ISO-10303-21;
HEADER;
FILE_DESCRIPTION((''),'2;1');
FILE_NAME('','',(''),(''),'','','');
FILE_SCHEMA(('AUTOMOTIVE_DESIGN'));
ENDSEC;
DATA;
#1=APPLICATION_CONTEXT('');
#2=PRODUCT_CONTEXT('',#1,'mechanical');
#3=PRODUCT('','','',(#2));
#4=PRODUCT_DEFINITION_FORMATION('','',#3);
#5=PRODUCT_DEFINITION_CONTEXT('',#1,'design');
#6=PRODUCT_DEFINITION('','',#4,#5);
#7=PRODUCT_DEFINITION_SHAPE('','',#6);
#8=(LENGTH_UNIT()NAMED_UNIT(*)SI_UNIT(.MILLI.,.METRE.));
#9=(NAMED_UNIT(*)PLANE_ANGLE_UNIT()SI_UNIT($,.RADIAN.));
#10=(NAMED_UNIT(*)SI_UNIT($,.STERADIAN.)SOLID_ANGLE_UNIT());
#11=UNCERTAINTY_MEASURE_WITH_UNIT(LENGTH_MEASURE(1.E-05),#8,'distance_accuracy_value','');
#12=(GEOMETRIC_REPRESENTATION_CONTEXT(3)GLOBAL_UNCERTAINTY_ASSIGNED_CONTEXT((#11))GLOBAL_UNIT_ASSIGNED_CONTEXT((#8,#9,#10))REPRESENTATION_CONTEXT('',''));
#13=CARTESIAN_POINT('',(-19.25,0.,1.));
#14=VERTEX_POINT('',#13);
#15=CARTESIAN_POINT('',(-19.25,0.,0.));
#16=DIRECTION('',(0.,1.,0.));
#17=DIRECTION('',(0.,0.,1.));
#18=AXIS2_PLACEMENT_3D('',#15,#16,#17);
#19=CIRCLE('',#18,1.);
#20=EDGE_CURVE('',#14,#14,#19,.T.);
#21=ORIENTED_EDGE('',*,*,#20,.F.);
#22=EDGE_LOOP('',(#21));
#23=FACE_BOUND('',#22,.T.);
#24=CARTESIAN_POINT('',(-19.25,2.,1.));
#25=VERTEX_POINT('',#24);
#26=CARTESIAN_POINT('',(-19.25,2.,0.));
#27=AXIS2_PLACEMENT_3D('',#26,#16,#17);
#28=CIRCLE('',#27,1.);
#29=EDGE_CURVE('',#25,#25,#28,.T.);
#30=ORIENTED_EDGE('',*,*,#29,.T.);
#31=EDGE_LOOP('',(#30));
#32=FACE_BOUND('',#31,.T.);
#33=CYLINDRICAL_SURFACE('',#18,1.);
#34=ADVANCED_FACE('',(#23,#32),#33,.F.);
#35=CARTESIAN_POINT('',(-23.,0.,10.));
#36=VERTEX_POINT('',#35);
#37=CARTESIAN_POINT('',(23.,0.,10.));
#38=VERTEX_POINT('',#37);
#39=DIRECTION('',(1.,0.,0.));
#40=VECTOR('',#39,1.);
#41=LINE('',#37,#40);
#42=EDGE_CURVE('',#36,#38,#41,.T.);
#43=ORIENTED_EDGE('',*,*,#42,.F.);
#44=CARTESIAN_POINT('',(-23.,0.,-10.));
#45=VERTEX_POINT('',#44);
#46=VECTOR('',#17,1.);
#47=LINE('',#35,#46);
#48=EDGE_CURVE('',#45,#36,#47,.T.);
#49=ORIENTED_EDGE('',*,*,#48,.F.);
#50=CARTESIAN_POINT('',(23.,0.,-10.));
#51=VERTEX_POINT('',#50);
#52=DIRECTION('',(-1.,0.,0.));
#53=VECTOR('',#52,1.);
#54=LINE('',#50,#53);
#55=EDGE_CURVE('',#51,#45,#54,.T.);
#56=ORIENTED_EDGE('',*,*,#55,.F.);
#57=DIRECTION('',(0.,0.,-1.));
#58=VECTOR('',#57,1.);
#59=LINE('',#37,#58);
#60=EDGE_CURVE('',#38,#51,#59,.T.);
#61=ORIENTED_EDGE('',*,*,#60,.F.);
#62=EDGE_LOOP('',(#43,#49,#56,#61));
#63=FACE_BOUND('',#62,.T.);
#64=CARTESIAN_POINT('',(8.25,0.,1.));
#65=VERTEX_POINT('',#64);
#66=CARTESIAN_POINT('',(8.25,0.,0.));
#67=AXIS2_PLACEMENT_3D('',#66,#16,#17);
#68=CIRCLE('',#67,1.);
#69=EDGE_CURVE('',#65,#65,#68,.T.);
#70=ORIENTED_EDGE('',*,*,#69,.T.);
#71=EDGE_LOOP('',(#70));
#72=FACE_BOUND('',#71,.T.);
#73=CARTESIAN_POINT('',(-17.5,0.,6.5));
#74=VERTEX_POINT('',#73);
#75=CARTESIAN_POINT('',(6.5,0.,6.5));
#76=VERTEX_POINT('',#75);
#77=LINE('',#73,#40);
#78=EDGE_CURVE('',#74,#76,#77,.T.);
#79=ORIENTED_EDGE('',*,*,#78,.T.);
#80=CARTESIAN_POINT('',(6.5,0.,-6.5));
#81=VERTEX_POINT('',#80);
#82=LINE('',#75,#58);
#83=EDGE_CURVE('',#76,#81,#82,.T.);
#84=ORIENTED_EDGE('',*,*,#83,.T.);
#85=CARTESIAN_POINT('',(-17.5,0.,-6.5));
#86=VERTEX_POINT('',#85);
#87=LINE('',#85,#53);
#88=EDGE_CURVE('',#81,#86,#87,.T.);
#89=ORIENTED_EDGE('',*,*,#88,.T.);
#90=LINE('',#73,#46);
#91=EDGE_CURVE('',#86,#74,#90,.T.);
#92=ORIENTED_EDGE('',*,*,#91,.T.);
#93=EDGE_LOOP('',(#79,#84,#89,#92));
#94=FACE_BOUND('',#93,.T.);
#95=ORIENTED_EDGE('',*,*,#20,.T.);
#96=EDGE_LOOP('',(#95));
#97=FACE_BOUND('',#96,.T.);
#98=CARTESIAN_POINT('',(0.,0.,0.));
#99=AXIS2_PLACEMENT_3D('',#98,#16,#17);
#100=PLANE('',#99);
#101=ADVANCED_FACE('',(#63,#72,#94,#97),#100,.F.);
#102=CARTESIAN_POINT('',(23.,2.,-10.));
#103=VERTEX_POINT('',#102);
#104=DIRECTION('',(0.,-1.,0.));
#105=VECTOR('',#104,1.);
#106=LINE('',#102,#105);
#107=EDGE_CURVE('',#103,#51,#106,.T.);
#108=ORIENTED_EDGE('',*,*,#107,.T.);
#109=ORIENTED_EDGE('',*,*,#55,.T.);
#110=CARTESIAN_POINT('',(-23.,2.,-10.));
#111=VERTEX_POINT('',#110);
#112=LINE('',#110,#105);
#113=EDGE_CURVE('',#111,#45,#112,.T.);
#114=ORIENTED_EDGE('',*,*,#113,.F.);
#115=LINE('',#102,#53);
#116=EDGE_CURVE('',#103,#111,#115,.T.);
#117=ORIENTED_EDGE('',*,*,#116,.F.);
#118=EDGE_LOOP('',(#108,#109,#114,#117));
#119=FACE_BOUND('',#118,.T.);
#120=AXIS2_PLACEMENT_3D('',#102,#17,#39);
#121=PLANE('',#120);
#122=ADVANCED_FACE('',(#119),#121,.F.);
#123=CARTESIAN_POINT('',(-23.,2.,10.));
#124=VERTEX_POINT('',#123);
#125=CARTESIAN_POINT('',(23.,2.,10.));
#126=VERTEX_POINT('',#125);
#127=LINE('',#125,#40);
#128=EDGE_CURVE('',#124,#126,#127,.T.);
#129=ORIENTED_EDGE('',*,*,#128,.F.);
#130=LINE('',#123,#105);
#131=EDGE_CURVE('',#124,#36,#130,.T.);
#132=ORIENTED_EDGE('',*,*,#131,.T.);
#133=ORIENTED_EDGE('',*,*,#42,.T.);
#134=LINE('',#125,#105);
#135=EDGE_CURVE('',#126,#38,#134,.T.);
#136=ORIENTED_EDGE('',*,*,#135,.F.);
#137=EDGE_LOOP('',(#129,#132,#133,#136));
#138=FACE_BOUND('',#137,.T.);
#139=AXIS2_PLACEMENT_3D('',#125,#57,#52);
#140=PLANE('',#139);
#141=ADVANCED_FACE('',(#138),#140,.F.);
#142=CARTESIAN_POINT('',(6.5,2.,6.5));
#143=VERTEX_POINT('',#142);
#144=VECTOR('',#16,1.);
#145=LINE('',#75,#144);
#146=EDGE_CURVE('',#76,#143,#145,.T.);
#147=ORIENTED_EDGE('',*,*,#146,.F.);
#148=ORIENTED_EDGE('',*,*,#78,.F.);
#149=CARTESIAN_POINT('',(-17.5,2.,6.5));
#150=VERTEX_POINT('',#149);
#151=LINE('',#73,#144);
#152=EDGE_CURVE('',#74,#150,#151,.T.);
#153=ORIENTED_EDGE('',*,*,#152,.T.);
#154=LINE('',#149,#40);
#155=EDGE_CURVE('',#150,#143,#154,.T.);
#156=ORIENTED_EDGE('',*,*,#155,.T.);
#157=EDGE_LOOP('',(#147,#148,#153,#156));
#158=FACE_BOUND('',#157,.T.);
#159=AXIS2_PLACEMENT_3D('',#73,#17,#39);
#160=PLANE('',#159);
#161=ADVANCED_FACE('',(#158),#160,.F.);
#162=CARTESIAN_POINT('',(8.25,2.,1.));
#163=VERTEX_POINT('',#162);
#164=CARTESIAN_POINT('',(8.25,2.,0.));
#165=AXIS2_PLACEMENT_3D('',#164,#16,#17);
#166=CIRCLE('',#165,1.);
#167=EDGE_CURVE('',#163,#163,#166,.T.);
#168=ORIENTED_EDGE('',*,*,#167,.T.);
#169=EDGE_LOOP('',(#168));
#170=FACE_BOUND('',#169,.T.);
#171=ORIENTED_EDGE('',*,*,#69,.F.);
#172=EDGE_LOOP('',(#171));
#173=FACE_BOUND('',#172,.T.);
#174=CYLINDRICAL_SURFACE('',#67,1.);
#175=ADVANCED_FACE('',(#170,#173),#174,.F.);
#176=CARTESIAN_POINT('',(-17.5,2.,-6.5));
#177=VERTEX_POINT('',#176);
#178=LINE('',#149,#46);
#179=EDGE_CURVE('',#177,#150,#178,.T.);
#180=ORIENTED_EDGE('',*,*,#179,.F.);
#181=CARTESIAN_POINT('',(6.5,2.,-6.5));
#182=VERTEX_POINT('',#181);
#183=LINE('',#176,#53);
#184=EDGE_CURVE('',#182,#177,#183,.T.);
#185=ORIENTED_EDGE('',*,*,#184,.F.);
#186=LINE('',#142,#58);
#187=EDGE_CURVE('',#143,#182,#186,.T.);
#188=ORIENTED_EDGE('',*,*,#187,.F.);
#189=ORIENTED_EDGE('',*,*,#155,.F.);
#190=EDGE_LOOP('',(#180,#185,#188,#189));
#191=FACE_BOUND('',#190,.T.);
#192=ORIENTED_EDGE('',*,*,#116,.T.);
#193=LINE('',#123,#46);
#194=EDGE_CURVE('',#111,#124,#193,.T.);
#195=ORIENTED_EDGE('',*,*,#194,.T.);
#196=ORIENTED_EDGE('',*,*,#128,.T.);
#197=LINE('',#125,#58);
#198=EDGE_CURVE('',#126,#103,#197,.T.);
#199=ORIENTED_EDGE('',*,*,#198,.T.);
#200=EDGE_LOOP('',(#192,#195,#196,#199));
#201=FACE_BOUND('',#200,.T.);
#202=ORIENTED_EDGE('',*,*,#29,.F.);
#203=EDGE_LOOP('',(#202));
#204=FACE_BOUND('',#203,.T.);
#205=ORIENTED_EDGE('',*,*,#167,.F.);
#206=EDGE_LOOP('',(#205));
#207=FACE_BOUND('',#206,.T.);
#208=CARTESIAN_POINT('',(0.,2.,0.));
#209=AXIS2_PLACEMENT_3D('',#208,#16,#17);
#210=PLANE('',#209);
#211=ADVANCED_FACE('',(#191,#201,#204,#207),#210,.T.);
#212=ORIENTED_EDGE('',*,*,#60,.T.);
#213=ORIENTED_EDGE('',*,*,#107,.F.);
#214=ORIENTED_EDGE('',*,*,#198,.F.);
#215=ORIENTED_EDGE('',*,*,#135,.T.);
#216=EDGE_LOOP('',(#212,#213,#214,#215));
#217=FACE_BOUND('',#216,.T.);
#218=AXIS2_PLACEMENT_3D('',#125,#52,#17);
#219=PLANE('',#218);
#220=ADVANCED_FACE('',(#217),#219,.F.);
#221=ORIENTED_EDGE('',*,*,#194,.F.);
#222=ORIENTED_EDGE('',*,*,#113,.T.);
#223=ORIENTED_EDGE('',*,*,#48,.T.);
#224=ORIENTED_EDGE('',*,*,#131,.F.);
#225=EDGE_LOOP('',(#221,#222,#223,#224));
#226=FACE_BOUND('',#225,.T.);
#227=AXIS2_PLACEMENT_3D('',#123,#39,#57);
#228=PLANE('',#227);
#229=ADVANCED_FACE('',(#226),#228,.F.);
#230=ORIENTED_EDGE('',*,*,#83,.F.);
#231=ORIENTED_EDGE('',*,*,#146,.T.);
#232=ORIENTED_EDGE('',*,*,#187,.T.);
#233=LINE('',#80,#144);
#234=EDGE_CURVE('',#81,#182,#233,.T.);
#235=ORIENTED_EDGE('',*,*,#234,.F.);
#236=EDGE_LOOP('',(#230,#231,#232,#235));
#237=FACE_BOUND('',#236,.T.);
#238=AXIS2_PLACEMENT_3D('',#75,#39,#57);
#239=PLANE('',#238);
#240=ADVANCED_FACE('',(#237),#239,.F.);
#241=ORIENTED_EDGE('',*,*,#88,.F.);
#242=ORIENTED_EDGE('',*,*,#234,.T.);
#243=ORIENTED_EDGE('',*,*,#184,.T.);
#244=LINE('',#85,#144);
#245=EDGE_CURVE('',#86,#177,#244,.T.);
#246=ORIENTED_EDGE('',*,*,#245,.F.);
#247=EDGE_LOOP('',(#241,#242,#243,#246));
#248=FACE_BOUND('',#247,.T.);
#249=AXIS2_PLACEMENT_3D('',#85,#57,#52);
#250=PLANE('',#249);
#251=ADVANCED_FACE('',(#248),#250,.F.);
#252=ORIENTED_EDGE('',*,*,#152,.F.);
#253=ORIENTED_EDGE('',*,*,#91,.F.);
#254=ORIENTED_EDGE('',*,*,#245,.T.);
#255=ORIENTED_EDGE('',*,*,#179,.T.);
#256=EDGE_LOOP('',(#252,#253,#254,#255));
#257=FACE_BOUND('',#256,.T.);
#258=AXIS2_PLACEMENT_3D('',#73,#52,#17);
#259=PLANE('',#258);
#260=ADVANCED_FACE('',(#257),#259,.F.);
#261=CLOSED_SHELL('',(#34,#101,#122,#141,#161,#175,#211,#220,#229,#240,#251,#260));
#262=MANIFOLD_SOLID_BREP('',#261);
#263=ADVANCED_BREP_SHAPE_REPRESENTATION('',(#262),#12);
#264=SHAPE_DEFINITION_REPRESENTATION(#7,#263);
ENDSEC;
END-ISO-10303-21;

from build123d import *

# Parameters (mm, degrees)
SKICA1_W                 = 46
SKICA1_H                 = 20
P_IDAT_VYSUNUT_M1_DEPTH  = 2
SKICA2_W                 = 24
SKICA2_H                 = 13
ODEBRAT_VYSUNUT_M1_DEPTH = 2
SKICA3_R                 = 1
ODEBRAT_VYSUNUT_M2_DEPTH = 2


with BuildPart() as part:
    # Skica1 → Přidat vysunutím1 (new body)
    with BuildSketch(Plane(origin=(0, 0, 0), x_dir=(1, 0, 0), z_dir=(0, 1, 0))):
        Rectangle(SKICA1_W, SKICA1_H)
    extrude(amount=P_IDAT_VYSUNUT_M1_DEPTH)

    # Skica2 → Odebrat vysunutím1 (cut)
    with BuildSketch(Plane(origin=(0, 2, 0), x_dir=(1, 0, 0), z_dir=(0, 1, 0))):
        with Locations((-5.5, 0)):
            Rectangle(SKICA2_W, SKICA2_H)
    extrude(amount=-ODEBRAT_VYSUNUT_M1_DEPTH, mode=Mode.SUBTRACT)

    # Skica3 → Odebrat vysunutím2 (cut)
    with BuildSketch(Plane(origin=(0, 2, 0), x_dir=(1, 0, 0), z_dir=(0, 1, 0))):
        with Locations((-19.25, 0)):
            Circle(SKICA3_R)
        with Locations((8.25, 0)):
            Circle(SKICA3_R)
    extrude(amount=-ODEBRAT_VYSUNUT_M2_DEPTH, mode=Mode.SUBTRACT)


solid = part.part
